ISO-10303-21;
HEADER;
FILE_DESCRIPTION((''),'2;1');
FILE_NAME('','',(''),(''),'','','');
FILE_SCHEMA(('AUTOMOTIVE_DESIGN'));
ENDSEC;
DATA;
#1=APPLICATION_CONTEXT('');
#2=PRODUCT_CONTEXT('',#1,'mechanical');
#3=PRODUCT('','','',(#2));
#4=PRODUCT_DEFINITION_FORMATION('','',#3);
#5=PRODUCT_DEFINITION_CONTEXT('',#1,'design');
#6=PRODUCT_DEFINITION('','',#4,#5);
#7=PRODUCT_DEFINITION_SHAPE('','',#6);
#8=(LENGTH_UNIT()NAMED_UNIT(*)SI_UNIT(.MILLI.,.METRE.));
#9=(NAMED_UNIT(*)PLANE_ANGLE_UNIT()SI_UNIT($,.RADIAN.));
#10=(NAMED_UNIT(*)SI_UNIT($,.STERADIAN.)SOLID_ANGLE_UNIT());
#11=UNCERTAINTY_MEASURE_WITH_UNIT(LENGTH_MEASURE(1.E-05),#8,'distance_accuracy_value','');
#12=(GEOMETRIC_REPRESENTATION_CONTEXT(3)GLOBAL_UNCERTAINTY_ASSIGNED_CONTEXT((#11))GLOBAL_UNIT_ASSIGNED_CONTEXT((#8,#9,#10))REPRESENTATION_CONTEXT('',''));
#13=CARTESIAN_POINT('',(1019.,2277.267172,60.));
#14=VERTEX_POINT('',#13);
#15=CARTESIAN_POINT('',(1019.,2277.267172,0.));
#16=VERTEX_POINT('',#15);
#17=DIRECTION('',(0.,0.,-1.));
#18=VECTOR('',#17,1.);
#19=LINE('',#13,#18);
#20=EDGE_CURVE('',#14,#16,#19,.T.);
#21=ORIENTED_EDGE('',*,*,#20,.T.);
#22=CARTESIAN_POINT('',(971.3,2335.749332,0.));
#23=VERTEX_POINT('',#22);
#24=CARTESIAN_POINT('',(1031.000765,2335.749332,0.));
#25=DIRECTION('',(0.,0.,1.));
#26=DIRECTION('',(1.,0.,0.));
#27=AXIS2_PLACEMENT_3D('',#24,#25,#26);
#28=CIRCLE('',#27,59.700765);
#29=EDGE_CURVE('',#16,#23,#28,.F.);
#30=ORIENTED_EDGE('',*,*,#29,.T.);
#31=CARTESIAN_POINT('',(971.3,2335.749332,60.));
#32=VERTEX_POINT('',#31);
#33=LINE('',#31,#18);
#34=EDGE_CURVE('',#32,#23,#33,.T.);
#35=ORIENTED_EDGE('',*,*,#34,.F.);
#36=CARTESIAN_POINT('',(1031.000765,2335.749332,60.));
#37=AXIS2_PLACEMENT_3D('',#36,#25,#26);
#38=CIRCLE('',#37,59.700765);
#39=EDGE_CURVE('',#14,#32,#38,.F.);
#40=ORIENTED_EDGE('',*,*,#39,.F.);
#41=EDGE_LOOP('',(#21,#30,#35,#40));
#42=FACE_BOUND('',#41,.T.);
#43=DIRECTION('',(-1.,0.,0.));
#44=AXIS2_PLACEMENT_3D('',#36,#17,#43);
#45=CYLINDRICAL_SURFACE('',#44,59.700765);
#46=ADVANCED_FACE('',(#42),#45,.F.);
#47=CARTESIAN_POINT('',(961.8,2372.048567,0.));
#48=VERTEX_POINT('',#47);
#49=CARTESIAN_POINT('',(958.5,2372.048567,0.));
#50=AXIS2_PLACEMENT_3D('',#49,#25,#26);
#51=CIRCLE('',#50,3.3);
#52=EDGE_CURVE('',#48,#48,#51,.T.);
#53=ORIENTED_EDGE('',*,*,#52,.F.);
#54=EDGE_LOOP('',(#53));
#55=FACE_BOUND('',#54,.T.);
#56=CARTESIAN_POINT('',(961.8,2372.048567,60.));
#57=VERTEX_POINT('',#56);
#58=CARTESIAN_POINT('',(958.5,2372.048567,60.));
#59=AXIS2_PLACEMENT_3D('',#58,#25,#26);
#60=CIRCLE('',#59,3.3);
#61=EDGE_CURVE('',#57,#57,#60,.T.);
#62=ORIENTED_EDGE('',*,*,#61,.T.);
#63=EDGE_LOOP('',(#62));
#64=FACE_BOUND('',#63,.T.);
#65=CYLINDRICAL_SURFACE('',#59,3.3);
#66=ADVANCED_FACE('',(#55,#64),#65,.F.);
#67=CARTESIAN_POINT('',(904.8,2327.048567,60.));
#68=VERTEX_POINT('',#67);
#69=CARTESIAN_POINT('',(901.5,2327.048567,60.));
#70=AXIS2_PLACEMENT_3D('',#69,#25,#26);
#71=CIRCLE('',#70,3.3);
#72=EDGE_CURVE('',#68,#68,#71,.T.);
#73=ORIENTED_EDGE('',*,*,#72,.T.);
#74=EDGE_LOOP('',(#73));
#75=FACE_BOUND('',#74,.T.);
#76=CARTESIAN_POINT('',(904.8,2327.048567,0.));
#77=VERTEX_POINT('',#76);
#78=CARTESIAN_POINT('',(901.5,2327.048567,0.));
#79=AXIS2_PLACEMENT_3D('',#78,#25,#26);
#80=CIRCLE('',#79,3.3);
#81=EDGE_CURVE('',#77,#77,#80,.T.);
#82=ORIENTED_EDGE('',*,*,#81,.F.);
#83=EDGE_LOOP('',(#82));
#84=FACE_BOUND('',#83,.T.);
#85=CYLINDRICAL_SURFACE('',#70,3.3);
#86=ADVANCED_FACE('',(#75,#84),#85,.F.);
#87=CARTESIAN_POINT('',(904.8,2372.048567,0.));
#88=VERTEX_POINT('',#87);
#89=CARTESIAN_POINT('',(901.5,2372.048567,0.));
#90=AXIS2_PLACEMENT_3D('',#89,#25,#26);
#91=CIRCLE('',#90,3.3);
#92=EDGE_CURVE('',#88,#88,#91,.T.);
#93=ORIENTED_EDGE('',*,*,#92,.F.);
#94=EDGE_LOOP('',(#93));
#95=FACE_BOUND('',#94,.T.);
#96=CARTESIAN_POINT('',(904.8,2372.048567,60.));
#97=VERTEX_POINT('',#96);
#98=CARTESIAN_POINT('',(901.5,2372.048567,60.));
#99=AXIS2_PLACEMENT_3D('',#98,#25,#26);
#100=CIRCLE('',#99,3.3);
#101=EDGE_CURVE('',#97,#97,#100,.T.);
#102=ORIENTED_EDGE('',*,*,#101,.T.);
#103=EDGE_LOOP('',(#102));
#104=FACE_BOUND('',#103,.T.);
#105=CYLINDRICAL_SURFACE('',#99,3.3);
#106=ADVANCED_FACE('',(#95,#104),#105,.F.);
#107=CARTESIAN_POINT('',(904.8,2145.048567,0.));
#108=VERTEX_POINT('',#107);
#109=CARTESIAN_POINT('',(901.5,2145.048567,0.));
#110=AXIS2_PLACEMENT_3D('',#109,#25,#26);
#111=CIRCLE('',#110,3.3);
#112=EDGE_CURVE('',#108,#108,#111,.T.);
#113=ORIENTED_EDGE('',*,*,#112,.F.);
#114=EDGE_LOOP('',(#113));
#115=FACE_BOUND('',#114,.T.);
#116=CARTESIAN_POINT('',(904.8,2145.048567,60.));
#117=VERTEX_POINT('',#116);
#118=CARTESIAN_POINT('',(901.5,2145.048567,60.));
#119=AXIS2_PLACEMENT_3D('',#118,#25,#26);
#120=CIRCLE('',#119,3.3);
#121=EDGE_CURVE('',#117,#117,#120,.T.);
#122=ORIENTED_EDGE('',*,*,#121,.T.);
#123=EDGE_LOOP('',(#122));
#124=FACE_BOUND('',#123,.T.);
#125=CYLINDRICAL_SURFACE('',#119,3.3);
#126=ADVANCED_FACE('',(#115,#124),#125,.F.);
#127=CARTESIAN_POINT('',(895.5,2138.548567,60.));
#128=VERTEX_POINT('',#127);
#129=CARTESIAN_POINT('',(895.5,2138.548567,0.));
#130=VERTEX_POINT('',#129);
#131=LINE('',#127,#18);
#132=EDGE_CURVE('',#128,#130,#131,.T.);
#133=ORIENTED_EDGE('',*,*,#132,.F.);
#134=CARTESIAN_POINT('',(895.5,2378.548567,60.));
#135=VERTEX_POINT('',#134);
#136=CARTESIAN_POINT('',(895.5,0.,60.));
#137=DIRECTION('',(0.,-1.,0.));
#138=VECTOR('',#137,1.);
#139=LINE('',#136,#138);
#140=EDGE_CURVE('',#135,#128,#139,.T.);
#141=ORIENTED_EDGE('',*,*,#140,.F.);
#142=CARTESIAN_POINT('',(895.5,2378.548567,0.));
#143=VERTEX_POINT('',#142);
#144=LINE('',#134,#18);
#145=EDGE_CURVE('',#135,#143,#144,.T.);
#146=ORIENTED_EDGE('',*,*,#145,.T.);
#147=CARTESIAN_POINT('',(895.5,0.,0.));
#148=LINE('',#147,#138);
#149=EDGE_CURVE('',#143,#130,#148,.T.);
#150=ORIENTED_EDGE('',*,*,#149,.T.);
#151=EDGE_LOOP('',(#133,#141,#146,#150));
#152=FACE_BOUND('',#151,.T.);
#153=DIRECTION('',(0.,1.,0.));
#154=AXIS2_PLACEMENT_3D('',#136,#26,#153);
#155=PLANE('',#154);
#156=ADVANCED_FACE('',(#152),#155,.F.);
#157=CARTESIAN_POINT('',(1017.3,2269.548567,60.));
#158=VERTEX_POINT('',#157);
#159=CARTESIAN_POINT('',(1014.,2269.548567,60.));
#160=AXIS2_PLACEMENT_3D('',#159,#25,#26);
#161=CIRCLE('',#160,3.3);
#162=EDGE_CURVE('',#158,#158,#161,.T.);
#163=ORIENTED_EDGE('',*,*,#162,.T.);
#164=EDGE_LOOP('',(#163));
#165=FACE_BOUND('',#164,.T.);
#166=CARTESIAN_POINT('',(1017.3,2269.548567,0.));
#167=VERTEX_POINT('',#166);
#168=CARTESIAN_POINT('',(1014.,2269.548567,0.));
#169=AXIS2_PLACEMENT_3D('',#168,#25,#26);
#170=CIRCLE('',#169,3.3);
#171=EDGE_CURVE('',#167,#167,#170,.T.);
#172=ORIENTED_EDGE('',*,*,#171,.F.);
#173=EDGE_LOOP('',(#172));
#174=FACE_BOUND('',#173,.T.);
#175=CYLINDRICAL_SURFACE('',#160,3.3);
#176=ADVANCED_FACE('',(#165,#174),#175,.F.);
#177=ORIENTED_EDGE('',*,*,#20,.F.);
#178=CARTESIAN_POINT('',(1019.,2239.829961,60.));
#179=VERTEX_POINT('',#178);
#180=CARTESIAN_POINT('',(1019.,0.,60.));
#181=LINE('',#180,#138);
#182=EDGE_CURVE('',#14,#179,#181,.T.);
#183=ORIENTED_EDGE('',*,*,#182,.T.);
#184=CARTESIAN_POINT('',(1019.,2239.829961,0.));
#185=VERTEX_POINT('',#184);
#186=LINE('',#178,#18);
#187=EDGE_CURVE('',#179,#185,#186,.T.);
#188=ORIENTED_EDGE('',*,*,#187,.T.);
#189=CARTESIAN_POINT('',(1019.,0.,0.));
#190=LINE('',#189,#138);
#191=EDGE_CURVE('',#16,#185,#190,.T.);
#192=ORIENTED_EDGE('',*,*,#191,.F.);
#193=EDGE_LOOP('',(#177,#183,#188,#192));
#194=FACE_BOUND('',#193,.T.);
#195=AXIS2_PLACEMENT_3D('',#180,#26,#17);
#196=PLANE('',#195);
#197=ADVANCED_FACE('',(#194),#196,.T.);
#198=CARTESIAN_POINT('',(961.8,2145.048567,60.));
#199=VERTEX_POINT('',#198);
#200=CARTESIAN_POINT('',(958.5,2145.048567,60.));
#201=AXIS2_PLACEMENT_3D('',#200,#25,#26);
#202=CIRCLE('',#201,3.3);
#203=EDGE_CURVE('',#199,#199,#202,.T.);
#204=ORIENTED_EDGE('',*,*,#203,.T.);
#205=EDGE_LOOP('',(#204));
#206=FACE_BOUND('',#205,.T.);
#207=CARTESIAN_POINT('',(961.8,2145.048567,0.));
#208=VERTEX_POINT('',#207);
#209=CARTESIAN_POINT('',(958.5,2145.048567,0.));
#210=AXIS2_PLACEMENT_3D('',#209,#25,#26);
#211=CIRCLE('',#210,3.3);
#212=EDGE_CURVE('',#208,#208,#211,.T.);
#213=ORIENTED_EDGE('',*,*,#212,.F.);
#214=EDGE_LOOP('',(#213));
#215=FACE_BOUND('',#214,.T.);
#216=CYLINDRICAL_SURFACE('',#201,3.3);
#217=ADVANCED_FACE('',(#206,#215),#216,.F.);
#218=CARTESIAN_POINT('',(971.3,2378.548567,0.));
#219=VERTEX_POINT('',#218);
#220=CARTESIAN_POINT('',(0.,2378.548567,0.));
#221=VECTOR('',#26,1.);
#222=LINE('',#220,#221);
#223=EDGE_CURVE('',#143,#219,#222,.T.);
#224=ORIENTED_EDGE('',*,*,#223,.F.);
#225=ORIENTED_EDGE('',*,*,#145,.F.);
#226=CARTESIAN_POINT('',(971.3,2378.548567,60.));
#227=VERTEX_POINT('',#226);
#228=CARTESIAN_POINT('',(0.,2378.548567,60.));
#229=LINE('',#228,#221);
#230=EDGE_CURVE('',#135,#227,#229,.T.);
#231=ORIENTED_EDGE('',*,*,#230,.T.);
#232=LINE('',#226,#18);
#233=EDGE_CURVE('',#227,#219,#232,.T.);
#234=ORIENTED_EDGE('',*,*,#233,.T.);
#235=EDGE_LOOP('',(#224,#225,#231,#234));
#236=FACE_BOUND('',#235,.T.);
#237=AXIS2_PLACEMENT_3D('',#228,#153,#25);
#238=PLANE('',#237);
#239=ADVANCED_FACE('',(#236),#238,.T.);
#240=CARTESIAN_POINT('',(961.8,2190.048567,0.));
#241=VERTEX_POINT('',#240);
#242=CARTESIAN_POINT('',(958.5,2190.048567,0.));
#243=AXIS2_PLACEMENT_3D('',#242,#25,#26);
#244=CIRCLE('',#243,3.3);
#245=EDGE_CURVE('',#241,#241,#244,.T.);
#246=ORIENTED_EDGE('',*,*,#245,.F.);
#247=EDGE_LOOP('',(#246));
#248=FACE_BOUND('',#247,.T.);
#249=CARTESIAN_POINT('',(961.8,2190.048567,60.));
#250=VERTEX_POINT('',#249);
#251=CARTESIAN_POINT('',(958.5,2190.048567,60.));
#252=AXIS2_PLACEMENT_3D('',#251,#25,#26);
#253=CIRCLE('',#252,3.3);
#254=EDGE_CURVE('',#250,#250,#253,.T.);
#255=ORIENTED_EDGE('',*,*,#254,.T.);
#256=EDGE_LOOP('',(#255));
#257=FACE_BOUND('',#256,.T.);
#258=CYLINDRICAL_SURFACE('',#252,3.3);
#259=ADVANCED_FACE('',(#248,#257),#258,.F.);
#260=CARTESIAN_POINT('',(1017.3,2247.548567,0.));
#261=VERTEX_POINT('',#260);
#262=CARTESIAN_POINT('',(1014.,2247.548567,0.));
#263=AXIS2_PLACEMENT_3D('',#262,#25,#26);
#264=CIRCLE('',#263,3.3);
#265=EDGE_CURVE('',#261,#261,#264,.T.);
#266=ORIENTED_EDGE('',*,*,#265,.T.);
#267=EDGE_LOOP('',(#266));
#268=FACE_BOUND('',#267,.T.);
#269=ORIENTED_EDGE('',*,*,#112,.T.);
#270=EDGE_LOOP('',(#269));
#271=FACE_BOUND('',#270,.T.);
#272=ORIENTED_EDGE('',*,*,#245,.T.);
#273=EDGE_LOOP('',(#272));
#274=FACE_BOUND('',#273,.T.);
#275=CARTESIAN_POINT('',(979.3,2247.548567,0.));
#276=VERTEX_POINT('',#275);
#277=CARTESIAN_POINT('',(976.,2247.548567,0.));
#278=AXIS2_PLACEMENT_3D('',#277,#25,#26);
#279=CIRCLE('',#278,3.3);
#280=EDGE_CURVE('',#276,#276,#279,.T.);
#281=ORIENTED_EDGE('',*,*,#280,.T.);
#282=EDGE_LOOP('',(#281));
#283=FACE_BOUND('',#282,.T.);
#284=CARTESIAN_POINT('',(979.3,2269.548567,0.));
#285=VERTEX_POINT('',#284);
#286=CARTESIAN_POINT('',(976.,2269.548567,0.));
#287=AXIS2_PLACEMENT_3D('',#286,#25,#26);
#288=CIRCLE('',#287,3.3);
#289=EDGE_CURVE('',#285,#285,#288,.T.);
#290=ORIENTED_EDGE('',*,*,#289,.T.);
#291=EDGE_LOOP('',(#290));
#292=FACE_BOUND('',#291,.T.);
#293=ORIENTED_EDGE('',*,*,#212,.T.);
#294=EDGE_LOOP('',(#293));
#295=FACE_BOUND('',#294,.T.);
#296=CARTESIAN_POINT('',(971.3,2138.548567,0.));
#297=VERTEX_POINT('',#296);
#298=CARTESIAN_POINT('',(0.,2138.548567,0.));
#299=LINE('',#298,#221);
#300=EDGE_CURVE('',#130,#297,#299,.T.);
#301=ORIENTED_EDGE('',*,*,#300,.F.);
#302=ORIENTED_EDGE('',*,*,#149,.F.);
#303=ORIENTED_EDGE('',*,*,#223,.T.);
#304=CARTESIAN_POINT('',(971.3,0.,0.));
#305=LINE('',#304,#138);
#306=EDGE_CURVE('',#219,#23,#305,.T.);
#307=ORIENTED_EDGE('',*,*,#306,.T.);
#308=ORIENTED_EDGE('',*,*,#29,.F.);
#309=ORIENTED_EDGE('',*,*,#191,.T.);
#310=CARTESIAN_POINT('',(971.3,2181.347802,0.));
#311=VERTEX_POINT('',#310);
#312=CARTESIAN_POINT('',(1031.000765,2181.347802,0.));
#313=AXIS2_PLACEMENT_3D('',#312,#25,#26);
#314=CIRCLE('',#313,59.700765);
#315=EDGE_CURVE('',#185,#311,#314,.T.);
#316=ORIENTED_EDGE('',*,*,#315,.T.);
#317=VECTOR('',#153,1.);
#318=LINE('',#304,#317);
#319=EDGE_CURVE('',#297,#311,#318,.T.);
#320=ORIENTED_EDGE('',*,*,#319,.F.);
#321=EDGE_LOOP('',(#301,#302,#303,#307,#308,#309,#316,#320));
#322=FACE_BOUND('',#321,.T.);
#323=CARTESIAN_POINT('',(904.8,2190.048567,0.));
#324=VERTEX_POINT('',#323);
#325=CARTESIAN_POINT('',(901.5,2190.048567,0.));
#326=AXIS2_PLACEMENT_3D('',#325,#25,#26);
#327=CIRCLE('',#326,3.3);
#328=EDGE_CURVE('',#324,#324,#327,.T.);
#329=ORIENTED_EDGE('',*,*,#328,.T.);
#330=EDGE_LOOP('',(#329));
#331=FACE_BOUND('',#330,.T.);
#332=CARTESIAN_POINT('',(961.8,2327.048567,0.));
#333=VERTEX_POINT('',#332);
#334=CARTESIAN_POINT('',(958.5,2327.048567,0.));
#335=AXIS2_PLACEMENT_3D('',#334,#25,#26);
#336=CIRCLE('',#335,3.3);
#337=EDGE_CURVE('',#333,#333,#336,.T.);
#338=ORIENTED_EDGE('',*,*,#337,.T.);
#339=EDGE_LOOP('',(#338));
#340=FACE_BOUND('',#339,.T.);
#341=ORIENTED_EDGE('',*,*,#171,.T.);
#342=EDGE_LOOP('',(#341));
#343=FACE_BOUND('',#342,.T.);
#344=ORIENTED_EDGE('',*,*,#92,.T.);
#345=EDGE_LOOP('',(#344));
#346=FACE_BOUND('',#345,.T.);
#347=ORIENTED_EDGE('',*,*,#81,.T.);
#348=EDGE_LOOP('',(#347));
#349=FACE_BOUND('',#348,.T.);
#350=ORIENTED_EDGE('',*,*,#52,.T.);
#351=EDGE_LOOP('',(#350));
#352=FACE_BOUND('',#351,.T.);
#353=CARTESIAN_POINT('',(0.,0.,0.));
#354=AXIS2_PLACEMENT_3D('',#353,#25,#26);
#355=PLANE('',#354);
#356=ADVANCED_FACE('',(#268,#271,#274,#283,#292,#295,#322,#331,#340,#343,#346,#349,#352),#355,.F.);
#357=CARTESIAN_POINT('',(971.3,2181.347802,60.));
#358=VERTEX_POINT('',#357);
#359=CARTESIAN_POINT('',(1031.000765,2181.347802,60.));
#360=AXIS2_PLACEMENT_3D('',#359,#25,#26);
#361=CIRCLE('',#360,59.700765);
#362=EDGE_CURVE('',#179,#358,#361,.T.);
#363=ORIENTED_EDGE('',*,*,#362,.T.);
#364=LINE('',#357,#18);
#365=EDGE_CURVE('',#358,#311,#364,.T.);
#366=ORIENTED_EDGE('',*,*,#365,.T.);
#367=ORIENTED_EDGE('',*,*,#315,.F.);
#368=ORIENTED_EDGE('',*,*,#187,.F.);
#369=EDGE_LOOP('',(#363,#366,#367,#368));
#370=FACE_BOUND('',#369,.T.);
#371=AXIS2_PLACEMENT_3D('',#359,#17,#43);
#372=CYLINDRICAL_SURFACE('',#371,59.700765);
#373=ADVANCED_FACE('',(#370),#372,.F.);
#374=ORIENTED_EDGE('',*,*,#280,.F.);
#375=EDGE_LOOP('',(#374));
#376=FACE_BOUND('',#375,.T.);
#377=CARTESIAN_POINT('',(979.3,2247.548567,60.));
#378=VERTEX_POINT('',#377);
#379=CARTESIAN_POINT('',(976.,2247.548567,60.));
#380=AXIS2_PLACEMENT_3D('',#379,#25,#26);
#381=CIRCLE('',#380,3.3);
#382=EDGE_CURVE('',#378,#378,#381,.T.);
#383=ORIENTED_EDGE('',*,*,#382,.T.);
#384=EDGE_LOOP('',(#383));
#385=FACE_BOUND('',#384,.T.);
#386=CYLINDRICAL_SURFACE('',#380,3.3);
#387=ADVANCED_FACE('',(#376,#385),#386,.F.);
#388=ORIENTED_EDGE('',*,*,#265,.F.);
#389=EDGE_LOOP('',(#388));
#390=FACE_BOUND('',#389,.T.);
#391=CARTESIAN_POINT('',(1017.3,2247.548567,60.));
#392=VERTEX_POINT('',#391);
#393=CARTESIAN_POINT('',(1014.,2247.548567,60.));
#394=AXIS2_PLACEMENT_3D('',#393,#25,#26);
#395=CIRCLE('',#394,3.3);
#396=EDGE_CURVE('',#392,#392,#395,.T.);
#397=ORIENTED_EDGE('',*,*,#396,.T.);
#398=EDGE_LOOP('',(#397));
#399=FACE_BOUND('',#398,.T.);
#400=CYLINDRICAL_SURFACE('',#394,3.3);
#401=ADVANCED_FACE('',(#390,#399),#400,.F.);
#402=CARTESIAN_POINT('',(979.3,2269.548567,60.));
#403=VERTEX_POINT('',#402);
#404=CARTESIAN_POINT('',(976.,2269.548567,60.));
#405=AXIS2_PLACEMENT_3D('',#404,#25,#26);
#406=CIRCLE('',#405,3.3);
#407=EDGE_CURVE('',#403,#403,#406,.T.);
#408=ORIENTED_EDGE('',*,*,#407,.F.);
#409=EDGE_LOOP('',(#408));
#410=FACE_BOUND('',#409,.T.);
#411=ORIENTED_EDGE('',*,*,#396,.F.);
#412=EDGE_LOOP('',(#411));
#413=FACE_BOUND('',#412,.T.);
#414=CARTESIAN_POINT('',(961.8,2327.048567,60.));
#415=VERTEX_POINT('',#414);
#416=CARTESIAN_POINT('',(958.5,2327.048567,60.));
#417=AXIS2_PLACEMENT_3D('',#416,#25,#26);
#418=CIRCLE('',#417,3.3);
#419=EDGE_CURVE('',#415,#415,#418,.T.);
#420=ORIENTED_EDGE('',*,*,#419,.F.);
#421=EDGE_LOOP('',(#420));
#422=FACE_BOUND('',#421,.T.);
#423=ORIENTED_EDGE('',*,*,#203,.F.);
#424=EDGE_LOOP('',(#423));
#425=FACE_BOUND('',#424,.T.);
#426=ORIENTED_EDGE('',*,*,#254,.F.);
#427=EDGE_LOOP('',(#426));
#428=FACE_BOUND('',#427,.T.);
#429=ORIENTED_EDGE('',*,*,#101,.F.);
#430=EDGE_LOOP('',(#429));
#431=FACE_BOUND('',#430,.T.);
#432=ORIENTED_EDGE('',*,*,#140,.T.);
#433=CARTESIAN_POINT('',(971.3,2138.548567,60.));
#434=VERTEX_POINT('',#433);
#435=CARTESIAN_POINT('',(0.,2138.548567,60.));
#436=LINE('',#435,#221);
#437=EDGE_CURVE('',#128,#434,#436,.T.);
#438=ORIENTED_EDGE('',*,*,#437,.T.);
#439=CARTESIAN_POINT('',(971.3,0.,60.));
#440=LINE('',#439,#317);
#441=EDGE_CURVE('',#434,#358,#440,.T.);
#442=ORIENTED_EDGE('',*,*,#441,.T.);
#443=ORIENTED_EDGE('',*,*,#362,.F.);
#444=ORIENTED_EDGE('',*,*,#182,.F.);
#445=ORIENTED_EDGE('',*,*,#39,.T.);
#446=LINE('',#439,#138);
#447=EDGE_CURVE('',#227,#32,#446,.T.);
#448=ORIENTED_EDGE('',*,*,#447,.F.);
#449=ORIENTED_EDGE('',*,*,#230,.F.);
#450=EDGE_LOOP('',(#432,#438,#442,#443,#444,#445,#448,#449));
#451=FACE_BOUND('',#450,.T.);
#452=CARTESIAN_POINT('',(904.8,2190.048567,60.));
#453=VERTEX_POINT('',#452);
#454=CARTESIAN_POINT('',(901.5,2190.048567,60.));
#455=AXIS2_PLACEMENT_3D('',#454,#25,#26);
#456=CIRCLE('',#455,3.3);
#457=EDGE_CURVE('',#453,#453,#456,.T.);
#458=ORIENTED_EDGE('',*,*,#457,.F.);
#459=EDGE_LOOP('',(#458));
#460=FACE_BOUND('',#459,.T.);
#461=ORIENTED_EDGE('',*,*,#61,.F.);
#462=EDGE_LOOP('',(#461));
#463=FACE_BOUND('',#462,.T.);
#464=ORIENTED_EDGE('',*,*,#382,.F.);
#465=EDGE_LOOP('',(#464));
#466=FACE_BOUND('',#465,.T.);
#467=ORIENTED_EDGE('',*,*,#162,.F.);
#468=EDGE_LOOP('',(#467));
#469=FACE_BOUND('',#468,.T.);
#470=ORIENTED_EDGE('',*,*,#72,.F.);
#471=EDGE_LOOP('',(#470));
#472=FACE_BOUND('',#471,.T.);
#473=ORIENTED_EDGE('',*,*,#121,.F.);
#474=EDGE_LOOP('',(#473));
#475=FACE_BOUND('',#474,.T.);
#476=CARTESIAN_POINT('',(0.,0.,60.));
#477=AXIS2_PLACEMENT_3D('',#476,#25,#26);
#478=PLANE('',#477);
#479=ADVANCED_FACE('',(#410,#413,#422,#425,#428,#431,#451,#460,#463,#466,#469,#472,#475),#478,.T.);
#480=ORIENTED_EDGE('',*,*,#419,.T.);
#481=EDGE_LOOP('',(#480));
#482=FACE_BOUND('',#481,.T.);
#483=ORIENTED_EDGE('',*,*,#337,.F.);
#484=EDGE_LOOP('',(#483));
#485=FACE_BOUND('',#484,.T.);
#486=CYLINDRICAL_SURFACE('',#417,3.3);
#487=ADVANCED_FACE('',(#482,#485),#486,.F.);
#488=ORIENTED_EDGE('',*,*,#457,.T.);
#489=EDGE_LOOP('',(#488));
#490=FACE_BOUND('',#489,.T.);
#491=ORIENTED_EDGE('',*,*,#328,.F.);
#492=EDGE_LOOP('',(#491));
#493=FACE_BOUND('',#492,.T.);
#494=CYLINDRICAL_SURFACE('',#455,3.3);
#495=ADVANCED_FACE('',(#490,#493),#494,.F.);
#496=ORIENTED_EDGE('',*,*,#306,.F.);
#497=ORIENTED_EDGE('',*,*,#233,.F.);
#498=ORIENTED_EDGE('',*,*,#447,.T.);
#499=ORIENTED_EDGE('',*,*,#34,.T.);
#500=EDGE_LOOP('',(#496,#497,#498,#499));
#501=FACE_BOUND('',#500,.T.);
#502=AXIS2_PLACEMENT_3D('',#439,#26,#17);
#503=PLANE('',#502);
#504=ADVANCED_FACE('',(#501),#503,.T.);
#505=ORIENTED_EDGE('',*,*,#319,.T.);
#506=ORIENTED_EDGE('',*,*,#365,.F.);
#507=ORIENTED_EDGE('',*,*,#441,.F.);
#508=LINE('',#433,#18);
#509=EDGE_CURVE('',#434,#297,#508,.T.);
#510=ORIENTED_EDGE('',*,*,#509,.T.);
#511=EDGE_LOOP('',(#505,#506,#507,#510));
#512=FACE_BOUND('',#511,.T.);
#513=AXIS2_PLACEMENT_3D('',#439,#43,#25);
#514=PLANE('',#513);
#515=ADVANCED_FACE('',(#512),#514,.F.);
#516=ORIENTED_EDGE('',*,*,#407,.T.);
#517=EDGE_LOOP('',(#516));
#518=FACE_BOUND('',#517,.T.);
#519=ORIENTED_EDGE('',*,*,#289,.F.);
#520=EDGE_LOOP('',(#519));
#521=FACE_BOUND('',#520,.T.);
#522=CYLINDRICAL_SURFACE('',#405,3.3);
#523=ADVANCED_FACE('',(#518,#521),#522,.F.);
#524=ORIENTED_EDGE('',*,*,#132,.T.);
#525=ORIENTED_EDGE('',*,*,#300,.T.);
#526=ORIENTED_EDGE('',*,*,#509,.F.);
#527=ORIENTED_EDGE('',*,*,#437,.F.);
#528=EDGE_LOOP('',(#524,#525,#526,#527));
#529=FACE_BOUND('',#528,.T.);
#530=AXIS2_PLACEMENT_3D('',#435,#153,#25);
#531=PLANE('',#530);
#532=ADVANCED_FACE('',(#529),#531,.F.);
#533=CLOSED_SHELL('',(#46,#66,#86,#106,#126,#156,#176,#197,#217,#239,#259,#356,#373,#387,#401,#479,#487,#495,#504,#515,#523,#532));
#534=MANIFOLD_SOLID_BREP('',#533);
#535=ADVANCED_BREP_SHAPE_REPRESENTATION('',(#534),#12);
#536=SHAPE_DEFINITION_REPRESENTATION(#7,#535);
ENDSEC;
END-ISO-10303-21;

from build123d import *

# Parameters (mm, degrees)
BOSS_EXTRUDE1_DEPTH  = 60
M6_CLEARANCE_HOLE1_D = 6.6


with BuildPart() as part:
    # Sketch1 → Boss-Extrude1 (new body)
    with BuildSketch(Plane.XY):
        with BuildLine():
            Line((971.299999999, 2378.548566852), (895.5, 2378.548566852))
            Line((895.5, 2378.548566852), (895.5, 2258.548566852))
            Line((895.5, 2258.548566852), (895.5, 2138.548566852))
            Line((895.5, 2138.548566852), (971.299999999, 2138.548566852))
            Line((971.299999999, 2138.548566852), (971.299999999, 2181.347801943))
            ThreePointArc((971.299999999, 2181.347801943), (984.737192979, 2219.081914402), (1018.999999999, 2239.829961379))
            Line((1018.999999999, 2239.829961379), (1018.999999999, 2277.267172325))
            ThreePointArc((1018.999999999, 2277.267172325), (984.737192979, 2298.015219302), (971.299999999, 2335.749331762))
            Line((971.299999999, 2335.749331762), (971.299999999, 2378.548566852))
        make_face()
    extrude(amount=BOSS_EXTRUDE1_DEPTH)

    # M6 Clearance Hole1 (through all)
    with Locations(Plane.XY.offset(60)):
        with Locations((901.5, 2145.048566852), (958.5, 2145.048566852), (958.5, 2190.048566852), (901.5, 2190.048566852), (901.5, 2372.048566852), (901.5, 2327.048566852), (958.5, 2327.048566852), (958.5, 2372.048566852), (1013.999999999, 2247.548566852), (1013.999999999, 2269.548566852), (975.999999999, 2247.548566852), (975.999999999, 2269.548566852)):
            Hole(M6_CLEARANCE_HOLE1_D / 2)


solid = part.part
